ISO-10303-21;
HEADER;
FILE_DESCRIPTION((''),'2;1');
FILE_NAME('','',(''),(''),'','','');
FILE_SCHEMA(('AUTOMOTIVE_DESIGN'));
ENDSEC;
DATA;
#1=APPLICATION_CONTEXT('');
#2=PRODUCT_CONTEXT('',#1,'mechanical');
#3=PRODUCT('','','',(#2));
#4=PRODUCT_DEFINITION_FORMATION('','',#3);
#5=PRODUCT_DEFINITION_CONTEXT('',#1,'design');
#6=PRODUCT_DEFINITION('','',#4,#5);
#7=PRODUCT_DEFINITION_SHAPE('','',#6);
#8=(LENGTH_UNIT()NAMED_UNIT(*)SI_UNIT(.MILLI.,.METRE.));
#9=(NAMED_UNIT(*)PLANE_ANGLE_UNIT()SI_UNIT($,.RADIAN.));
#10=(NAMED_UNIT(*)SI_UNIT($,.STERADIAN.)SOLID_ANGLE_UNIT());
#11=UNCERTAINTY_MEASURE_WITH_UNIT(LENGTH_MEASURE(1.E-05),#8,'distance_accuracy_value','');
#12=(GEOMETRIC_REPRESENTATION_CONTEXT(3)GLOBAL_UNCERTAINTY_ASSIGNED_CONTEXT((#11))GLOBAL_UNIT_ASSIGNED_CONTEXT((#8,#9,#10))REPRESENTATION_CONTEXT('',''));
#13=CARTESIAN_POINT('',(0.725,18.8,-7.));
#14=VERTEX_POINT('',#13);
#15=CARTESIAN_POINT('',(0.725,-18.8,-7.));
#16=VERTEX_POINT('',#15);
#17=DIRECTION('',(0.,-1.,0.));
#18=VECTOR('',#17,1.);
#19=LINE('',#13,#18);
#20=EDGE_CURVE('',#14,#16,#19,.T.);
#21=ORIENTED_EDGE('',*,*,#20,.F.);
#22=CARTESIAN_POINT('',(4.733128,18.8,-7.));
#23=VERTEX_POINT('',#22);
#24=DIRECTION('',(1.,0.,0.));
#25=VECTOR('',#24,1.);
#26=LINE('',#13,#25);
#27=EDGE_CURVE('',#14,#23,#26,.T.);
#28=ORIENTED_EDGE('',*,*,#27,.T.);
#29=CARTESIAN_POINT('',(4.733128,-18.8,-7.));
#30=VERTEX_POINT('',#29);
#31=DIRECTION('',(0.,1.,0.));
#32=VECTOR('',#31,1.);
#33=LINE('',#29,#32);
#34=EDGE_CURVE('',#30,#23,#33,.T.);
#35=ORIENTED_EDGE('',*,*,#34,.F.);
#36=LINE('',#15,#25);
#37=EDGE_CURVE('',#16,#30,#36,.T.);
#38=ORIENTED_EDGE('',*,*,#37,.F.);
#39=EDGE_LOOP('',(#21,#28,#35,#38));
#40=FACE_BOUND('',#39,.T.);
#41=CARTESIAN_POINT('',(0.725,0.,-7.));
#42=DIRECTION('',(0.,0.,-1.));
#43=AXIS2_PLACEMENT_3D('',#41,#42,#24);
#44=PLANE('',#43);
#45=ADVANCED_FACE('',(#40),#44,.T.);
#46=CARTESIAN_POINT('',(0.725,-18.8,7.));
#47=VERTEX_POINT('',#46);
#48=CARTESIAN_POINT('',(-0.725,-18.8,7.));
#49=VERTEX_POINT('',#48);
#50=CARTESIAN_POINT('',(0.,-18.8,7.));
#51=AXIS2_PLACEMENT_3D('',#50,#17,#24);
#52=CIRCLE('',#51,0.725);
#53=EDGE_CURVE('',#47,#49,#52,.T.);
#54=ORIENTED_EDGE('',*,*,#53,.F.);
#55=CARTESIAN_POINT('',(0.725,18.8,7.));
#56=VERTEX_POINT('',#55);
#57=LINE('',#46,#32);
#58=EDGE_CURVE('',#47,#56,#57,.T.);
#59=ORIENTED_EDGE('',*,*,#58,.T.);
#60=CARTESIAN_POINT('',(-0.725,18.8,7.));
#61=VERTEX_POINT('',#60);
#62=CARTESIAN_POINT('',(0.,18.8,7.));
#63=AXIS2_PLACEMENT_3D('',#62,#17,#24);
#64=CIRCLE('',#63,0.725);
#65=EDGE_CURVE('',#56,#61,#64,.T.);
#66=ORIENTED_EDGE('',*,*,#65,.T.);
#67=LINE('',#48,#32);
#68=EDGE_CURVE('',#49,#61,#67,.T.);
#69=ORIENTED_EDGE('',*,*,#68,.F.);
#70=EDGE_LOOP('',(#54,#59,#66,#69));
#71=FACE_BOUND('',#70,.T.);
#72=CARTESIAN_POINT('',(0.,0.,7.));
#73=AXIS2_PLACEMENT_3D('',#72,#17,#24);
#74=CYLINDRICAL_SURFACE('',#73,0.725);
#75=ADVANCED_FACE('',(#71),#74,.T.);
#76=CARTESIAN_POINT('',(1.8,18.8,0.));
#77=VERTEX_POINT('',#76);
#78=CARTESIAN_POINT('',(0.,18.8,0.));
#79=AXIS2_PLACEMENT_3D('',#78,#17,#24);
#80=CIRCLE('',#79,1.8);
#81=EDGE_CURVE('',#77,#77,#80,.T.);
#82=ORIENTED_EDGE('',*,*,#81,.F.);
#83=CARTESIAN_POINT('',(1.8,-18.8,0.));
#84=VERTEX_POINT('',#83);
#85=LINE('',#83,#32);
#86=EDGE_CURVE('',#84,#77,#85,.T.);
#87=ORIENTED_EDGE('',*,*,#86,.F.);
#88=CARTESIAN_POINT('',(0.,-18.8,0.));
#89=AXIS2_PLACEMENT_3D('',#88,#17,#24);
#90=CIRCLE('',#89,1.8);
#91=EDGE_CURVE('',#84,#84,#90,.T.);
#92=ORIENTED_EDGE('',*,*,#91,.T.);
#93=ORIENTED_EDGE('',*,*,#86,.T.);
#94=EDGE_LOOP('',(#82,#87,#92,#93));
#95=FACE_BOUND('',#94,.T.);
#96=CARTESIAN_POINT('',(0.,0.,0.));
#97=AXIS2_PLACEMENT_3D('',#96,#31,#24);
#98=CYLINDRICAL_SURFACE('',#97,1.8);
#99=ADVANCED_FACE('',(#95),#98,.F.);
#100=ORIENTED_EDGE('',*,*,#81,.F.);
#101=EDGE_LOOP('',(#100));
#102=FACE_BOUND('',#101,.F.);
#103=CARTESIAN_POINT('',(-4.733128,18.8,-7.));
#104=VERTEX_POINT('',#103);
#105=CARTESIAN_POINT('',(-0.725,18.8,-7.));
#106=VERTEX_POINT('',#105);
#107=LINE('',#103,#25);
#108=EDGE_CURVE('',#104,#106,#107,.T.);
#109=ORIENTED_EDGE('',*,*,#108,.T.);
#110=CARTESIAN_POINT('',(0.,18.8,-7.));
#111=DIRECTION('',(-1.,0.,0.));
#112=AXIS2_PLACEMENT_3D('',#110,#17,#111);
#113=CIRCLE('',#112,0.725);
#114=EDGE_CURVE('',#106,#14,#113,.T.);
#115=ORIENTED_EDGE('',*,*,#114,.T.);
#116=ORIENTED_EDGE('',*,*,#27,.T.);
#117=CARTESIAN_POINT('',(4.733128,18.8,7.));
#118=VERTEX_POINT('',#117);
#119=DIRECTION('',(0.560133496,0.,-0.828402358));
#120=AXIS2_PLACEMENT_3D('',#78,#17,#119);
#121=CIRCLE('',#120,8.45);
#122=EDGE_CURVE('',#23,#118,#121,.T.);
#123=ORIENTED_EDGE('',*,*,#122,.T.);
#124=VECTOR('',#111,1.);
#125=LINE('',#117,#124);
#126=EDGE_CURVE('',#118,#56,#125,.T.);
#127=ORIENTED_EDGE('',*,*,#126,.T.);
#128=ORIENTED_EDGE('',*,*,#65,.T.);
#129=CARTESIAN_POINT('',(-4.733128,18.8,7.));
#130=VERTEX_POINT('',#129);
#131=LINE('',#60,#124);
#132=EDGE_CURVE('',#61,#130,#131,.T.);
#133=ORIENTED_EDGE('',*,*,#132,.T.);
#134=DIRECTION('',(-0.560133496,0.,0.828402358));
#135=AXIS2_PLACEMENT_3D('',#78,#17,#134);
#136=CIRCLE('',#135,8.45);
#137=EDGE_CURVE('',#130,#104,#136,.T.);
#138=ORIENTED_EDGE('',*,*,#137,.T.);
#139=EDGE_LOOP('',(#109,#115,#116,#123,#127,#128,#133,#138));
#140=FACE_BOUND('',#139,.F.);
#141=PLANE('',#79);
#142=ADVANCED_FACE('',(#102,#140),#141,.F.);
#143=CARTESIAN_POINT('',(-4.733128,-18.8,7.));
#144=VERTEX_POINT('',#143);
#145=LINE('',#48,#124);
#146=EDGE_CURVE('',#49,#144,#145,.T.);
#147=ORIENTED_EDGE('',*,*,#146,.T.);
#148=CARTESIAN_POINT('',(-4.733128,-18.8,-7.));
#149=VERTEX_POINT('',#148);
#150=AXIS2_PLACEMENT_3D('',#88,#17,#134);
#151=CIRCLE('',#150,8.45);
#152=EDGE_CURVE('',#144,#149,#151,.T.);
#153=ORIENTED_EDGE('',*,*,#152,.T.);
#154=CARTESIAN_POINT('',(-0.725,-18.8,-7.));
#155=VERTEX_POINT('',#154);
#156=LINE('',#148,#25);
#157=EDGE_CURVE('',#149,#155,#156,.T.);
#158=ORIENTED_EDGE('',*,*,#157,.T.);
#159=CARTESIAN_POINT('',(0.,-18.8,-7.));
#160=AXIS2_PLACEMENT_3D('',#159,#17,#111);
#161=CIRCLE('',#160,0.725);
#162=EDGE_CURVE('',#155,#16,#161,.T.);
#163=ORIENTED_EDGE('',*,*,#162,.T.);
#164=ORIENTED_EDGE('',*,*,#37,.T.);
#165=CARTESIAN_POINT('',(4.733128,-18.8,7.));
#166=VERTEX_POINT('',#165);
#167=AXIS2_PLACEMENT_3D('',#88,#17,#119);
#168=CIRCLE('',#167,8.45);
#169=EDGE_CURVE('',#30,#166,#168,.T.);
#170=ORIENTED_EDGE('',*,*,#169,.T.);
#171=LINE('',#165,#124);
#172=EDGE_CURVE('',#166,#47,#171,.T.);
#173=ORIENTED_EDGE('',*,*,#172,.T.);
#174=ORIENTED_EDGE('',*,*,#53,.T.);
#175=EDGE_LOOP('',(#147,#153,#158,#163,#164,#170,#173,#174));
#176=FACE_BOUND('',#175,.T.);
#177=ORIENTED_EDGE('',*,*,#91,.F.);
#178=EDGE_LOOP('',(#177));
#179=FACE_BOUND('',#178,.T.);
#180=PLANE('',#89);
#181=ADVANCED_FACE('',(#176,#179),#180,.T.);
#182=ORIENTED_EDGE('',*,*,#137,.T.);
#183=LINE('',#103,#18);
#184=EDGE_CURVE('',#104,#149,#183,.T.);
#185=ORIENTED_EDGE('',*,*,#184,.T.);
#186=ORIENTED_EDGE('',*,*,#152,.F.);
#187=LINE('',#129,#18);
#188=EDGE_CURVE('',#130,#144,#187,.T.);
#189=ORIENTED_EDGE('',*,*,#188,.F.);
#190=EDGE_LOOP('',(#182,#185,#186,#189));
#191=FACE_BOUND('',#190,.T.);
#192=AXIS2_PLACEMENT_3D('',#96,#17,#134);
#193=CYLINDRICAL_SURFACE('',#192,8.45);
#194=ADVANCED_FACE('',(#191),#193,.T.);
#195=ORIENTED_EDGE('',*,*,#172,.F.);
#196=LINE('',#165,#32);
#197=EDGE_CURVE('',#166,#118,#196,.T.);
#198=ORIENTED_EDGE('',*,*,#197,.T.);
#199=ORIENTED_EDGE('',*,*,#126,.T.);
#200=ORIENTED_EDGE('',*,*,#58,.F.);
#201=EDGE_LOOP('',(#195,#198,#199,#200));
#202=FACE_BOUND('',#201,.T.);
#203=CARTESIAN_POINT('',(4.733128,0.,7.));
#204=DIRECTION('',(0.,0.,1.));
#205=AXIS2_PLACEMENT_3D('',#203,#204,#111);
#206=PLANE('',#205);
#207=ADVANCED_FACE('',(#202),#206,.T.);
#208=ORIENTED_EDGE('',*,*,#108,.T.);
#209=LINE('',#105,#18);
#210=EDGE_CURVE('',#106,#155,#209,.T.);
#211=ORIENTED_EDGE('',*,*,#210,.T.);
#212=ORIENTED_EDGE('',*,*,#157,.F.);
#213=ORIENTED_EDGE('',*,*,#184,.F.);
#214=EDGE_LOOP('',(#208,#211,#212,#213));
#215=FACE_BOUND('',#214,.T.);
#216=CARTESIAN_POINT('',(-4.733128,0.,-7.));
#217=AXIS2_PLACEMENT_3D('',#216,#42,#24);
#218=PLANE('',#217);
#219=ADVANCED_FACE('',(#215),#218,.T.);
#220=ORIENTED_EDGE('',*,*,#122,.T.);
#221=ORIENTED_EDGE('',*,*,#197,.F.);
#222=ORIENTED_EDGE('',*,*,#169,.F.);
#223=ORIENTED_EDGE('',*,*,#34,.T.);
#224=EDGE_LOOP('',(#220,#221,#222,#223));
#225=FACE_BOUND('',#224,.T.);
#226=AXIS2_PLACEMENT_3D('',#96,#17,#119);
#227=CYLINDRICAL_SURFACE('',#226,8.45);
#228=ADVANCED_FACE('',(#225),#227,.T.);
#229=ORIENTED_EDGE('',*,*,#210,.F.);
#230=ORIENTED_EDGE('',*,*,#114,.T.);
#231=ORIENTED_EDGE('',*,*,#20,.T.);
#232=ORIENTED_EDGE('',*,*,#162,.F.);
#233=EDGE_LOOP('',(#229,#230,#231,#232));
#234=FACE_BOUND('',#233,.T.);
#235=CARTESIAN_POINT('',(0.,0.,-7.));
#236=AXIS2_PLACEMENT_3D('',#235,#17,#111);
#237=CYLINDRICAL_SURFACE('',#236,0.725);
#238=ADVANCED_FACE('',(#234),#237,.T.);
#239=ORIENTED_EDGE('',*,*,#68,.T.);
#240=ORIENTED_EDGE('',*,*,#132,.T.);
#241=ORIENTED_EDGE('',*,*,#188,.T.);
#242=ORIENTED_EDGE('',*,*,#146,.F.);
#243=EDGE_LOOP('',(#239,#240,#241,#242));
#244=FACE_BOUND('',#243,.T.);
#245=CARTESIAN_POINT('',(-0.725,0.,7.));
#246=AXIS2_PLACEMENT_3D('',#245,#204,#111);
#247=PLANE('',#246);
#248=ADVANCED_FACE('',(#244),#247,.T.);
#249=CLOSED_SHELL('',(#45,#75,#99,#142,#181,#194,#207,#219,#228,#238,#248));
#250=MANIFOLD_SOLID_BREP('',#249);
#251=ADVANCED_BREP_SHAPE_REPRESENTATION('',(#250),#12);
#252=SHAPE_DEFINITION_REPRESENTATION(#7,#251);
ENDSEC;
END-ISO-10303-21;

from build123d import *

# Parameters (mm, degrees)
F0_R     = 1.8
F1_DEPTH = 18.8


with BuildPart() as f1:
    # F0 (on Front) → F1 (new body, symmetric)
    with BuildSketch(Plane.XZ):
        with BuildLine():
            Line((-0.725, 7), (-4.733128, 7))
            ThreePointArc((-4.733128, 7), (-8.45, 0), (-4.733128, -7))
            Line((-4.733128, -7), (-0.725, -7))
            ThreePointArc((-0.725, -7), (0, -7.725), (0.725, -7))
            Line((0.725, -7), (4.733128, -7))
            ThreePointArc((4.733128, -7), (8.45, 0), (4.733128, 7))
            Line((4.733128, 7), (0.725, 7))
            ThreePointArc((0.725, 7), (0, 7.725), (-0.725, 7))
        make_face()
        Circle(F0_R, mode=Mode.SUBTRACT)
    extrude(amount=F1_DEPTH, both=True)


solid = f1.part
